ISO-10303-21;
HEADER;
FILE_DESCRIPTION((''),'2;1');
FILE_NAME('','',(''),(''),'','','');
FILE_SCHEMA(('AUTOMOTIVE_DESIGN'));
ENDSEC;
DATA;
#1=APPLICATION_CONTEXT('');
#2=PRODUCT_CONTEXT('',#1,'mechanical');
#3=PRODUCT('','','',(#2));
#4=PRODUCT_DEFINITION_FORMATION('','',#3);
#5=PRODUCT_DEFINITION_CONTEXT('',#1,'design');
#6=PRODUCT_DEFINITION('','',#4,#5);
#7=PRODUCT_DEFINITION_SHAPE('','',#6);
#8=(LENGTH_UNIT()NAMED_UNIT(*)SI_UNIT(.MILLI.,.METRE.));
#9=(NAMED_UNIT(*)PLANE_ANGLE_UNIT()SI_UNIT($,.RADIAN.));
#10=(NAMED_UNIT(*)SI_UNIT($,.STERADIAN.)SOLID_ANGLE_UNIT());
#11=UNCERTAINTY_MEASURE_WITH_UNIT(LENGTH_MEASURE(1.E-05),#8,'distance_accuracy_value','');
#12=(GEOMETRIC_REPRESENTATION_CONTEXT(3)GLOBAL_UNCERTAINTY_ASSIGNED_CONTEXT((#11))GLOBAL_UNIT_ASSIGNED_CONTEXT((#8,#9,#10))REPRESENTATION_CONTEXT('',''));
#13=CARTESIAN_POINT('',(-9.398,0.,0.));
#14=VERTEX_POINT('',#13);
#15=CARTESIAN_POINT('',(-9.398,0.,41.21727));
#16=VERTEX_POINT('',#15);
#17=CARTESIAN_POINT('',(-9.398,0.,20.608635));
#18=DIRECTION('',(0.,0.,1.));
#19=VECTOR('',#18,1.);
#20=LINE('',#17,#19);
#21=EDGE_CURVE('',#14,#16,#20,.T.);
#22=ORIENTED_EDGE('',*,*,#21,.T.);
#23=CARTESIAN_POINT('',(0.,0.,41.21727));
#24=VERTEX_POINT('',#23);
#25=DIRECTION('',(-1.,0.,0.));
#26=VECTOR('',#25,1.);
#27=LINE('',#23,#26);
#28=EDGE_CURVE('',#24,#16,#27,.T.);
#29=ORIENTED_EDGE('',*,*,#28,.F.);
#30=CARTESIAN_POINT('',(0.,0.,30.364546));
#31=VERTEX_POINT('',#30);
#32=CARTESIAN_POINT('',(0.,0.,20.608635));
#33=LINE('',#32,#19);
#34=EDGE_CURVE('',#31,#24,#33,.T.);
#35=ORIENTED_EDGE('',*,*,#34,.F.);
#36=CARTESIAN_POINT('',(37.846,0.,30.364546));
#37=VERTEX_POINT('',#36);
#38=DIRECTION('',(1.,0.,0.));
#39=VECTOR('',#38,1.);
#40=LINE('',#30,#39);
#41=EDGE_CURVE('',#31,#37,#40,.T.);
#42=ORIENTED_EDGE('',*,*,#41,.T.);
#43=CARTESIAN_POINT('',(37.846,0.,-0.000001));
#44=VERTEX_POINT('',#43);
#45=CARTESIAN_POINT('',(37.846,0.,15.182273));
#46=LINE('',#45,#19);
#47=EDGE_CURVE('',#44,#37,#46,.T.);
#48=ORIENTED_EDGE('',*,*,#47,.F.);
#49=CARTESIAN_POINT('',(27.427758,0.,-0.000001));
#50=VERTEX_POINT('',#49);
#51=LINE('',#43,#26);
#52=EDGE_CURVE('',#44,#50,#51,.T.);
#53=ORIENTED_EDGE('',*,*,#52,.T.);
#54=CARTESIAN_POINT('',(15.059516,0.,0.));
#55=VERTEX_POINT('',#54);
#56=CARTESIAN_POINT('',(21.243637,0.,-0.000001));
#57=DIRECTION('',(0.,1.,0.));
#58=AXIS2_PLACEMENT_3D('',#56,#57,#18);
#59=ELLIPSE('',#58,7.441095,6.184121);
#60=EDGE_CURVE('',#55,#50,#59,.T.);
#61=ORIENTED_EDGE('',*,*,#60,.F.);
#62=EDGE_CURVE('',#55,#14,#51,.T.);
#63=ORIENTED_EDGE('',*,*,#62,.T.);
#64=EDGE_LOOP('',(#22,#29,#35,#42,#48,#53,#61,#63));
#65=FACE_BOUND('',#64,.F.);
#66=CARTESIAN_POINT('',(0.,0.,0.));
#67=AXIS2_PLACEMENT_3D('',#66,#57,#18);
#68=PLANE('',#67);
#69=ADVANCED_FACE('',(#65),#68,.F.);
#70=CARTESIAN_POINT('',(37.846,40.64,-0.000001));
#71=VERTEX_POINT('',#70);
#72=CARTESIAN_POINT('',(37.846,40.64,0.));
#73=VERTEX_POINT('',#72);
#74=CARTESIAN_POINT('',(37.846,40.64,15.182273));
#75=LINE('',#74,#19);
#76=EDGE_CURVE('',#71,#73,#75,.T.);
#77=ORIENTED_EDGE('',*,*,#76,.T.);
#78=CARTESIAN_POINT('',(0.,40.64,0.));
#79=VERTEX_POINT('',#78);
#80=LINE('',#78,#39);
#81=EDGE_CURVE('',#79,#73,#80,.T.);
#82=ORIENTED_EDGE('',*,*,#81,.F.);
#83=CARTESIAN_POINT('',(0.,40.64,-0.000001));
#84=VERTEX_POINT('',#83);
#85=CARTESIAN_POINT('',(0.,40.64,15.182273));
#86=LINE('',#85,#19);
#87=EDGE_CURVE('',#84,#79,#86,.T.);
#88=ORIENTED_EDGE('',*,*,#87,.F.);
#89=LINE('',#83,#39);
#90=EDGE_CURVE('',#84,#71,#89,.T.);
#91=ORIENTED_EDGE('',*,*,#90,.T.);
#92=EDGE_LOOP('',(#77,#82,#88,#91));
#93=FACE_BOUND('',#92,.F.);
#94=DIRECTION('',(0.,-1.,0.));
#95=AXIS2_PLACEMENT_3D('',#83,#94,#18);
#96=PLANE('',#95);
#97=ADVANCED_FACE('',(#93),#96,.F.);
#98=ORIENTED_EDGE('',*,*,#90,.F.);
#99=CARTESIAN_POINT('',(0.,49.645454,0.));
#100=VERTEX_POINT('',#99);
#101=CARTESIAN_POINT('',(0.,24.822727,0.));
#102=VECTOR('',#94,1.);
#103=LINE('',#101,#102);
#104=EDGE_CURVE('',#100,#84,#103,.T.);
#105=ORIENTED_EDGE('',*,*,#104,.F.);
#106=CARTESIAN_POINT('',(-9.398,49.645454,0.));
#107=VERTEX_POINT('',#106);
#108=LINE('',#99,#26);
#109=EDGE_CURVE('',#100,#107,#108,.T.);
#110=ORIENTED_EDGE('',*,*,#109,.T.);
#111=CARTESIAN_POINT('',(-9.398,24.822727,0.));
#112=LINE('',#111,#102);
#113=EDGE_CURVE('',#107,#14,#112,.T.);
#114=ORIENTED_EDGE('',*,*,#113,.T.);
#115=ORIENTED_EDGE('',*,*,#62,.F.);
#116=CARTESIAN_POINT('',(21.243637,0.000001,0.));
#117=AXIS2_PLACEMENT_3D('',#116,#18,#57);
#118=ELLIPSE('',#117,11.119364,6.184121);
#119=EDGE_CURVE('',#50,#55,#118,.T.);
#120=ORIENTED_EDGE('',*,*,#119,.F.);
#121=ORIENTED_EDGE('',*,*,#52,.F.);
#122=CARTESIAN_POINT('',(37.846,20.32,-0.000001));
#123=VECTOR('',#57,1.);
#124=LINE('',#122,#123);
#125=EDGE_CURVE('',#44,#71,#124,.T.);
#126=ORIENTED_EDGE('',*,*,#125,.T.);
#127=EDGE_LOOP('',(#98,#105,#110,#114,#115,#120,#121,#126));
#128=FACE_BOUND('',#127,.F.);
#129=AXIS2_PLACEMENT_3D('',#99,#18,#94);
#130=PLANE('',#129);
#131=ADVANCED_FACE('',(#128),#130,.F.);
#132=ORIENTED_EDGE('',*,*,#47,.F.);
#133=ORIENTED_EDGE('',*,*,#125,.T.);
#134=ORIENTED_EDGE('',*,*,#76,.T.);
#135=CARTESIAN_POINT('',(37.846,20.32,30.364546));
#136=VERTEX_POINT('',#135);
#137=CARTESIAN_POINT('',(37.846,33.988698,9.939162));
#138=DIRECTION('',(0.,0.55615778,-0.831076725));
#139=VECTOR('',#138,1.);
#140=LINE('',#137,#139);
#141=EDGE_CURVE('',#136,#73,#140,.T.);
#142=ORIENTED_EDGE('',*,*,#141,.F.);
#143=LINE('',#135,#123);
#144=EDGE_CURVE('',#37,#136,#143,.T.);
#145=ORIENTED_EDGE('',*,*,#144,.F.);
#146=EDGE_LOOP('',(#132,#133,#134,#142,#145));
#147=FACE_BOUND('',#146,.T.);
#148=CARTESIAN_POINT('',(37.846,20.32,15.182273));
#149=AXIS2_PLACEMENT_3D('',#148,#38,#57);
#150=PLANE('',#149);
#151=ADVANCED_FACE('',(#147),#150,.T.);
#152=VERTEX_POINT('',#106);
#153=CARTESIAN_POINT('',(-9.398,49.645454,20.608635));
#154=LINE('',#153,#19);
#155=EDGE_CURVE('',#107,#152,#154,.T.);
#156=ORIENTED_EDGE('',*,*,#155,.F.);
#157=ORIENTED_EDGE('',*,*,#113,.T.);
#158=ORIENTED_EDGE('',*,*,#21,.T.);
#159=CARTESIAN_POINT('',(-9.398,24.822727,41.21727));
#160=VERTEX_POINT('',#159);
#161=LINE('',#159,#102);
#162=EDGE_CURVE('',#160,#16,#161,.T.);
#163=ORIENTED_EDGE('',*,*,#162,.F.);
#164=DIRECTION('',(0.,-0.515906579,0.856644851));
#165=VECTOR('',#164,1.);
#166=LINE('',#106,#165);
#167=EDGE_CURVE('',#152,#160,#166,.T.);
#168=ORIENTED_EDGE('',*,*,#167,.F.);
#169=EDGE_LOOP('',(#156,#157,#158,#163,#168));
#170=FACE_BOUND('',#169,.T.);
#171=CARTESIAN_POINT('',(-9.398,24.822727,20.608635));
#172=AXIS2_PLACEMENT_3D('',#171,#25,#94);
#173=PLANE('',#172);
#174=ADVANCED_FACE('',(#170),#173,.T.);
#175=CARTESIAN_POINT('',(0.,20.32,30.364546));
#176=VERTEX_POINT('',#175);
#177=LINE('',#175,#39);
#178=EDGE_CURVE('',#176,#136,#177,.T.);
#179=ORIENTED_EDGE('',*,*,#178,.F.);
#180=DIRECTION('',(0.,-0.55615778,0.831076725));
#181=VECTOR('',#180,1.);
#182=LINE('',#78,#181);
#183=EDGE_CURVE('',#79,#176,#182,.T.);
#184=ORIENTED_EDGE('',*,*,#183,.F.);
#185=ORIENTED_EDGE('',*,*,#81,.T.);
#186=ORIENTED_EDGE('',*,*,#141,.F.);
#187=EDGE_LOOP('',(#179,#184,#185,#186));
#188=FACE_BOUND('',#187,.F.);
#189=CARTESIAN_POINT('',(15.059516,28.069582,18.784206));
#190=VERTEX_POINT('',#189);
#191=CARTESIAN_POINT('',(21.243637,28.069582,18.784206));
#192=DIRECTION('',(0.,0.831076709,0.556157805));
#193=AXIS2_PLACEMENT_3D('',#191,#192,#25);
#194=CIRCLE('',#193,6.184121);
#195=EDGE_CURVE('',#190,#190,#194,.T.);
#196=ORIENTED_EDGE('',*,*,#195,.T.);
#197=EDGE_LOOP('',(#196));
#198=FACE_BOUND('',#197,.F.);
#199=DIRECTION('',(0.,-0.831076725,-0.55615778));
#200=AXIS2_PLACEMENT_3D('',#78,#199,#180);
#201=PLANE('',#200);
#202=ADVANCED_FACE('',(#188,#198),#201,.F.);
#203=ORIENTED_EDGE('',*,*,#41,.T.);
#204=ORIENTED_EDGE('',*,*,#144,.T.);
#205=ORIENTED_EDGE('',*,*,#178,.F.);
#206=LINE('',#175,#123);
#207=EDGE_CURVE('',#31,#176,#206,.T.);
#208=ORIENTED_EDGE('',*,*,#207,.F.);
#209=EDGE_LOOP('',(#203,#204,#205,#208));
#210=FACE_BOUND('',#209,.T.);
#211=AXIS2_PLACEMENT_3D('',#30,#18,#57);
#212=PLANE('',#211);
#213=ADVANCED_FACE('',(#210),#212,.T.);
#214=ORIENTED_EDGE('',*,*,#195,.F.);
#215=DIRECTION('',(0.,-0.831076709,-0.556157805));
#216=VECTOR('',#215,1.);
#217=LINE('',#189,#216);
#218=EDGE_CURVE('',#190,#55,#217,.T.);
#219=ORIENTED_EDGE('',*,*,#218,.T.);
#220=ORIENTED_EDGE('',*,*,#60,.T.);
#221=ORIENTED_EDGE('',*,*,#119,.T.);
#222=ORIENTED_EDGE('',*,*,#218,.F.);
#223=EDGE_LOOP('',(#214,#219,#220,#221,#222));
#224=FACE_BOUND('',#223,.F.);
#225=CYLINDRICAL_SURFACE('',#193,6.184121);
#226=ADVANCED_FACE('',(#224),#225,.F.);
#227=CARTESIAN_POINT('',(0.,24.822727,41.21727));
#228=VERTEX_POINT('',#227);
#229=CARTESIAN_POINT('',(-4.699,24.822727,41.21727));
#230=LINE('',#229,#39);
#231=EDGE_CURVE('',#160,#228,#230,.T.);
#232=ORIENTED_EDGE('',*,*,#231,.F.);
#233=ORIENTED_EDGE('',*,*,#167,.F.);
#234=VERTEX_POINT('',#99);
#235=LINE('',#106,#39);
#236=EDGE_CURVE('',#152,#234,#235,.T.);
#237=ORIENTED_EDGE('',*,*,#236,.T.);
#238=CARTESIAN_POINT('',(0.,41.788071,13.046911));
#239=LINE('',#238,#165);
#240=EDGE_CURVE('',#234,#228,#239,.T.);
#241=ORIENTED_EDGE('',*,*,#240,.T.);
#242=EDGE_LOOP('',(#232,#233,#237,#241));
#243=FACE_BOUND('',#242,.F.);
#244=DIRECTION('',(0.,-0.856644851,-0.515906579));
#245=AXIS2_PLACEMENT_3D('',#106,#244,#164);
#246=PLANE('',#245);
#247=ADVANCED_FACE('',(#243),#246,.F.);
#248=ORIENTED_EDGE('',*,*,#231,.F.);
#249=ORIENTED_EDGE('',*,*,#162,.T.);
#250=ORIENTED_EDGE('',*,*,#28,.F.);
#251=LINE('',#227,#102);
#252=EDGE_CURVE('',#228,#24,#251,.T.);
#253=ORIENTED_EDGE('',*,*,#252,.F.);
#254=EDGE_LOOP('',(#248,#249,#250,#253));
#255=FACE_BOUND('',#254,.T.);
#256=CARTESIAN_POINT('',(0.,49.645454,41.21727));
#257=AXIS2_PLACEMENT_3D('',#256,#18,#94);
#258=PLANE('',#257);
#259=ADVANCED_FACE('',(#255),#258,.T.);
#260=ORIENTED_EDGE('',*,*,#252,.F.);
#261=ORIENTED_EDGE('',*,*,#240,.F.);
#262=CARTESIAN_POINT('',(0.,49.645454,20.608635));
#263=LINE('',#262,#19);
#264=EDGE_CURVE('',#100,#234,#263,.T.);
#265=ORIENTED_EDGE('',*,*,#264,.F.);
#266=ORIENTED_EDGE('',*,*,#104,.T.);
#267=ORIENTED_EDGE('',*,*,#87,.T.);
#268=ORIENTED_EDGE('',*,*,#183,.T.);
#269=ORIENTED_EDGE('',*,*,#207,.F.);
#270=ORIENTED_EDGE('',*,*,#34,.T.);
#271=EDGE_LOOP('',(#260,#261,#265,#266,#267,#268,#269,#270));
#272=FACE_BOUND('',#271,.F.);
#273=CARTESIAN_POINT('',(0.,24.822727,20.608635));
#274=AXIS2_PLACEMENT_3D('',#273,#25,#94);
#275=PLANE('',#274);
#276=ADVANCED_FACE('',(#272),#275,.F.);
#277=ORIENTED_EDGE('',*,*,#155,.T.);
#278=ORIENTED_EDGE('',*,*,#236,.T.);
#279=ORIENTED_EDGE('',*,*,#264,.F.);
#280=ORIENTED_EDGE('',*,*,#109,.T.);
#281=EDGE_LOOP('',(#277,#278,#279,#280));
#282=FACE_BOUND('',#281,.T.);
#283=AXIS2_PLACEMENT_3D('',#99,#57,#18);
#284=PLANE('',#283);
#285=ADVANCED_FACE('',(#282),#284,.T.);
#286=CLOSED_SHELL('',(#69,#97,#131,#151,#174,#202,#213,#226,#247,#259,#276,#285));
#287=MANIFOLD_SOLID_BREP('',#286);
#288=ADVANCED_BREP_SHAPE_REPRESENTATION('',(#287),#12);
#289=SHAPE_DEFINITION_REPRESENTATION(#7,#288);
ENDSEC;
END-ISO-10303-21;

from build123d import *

# Parameters (mm, degrees)
F0_W     = 40.64
F0_H     = 30.364547
F1_DEPTH = 37.846
F3_DEPTH = 37.847
F4_W     = 49.645454
F4_H     = 41.217271
F5_DEPTH = 9.398
F7_DEPTH = 47.245
F8_R     = 6.184121
F9_DEPTH = 33.775958


with BuildPart() as f1:
    # F0 (on Right) → F1 (new body)
    with BuildSketch(Plane.YZ):
        with Locations((20.32, 15.182273)):
            Rectangle(F0_W, F0_H)
    extrude(amount=F1_DEPTH)

    # F2 (on face) → F3 (cut, through all)
    with BuildSketch(Plane(origin=(0, 0, 0), x_dir=(0, -1, 0), z_dir=(-1, 0, 0))):
        Polygon((-40.64, 0), (-20.32, 30.364547), (-40.64, 30.364547), align=None)
    extrude(amount=-F3_DEPTH, mode=Mode.SUBTRACT)

    # F4 (on face) → F5 (join)
    with BuildSketch(Plane(origin=(0, 0, 0), x_dir=(0, -1, 0), z_dir=(-1, 0, 0))):
        with Locations((-24.822727, 20.608635)):
            Rectangle(F4_W, F4_H)
    extrude(amount=F5_DEPTH)

    # F6 (on face) → F7 (cut, through all)
    with BuildSketch(Plane(origin=(-9.398, 0, 0), x_dir=(0, -1, 0), z_dir=(-1, 0, 0))):
        Polygon((-49.645454, 0), (-24.822727, 41.217271), (-49.645454, 41.217271), align=None)
    extrude(amount=-F7_DEPTH, mode=Mode.SUBTRACT)

    # F8 (on face) → F9 (cut, through all)
    with BuildSketch(Plane(origin=(0, 28.069582, 18.784206), x_dir=(-1, 0, 0), z_dir=(0, 0.831077, 0.556158))):
        with Locations((-21.243637, 0)):
            Circle(F8_R)
    extrude(amount=-F9_DEPTH, mode=Mode.SUBTRACT)


solid = f1.part
